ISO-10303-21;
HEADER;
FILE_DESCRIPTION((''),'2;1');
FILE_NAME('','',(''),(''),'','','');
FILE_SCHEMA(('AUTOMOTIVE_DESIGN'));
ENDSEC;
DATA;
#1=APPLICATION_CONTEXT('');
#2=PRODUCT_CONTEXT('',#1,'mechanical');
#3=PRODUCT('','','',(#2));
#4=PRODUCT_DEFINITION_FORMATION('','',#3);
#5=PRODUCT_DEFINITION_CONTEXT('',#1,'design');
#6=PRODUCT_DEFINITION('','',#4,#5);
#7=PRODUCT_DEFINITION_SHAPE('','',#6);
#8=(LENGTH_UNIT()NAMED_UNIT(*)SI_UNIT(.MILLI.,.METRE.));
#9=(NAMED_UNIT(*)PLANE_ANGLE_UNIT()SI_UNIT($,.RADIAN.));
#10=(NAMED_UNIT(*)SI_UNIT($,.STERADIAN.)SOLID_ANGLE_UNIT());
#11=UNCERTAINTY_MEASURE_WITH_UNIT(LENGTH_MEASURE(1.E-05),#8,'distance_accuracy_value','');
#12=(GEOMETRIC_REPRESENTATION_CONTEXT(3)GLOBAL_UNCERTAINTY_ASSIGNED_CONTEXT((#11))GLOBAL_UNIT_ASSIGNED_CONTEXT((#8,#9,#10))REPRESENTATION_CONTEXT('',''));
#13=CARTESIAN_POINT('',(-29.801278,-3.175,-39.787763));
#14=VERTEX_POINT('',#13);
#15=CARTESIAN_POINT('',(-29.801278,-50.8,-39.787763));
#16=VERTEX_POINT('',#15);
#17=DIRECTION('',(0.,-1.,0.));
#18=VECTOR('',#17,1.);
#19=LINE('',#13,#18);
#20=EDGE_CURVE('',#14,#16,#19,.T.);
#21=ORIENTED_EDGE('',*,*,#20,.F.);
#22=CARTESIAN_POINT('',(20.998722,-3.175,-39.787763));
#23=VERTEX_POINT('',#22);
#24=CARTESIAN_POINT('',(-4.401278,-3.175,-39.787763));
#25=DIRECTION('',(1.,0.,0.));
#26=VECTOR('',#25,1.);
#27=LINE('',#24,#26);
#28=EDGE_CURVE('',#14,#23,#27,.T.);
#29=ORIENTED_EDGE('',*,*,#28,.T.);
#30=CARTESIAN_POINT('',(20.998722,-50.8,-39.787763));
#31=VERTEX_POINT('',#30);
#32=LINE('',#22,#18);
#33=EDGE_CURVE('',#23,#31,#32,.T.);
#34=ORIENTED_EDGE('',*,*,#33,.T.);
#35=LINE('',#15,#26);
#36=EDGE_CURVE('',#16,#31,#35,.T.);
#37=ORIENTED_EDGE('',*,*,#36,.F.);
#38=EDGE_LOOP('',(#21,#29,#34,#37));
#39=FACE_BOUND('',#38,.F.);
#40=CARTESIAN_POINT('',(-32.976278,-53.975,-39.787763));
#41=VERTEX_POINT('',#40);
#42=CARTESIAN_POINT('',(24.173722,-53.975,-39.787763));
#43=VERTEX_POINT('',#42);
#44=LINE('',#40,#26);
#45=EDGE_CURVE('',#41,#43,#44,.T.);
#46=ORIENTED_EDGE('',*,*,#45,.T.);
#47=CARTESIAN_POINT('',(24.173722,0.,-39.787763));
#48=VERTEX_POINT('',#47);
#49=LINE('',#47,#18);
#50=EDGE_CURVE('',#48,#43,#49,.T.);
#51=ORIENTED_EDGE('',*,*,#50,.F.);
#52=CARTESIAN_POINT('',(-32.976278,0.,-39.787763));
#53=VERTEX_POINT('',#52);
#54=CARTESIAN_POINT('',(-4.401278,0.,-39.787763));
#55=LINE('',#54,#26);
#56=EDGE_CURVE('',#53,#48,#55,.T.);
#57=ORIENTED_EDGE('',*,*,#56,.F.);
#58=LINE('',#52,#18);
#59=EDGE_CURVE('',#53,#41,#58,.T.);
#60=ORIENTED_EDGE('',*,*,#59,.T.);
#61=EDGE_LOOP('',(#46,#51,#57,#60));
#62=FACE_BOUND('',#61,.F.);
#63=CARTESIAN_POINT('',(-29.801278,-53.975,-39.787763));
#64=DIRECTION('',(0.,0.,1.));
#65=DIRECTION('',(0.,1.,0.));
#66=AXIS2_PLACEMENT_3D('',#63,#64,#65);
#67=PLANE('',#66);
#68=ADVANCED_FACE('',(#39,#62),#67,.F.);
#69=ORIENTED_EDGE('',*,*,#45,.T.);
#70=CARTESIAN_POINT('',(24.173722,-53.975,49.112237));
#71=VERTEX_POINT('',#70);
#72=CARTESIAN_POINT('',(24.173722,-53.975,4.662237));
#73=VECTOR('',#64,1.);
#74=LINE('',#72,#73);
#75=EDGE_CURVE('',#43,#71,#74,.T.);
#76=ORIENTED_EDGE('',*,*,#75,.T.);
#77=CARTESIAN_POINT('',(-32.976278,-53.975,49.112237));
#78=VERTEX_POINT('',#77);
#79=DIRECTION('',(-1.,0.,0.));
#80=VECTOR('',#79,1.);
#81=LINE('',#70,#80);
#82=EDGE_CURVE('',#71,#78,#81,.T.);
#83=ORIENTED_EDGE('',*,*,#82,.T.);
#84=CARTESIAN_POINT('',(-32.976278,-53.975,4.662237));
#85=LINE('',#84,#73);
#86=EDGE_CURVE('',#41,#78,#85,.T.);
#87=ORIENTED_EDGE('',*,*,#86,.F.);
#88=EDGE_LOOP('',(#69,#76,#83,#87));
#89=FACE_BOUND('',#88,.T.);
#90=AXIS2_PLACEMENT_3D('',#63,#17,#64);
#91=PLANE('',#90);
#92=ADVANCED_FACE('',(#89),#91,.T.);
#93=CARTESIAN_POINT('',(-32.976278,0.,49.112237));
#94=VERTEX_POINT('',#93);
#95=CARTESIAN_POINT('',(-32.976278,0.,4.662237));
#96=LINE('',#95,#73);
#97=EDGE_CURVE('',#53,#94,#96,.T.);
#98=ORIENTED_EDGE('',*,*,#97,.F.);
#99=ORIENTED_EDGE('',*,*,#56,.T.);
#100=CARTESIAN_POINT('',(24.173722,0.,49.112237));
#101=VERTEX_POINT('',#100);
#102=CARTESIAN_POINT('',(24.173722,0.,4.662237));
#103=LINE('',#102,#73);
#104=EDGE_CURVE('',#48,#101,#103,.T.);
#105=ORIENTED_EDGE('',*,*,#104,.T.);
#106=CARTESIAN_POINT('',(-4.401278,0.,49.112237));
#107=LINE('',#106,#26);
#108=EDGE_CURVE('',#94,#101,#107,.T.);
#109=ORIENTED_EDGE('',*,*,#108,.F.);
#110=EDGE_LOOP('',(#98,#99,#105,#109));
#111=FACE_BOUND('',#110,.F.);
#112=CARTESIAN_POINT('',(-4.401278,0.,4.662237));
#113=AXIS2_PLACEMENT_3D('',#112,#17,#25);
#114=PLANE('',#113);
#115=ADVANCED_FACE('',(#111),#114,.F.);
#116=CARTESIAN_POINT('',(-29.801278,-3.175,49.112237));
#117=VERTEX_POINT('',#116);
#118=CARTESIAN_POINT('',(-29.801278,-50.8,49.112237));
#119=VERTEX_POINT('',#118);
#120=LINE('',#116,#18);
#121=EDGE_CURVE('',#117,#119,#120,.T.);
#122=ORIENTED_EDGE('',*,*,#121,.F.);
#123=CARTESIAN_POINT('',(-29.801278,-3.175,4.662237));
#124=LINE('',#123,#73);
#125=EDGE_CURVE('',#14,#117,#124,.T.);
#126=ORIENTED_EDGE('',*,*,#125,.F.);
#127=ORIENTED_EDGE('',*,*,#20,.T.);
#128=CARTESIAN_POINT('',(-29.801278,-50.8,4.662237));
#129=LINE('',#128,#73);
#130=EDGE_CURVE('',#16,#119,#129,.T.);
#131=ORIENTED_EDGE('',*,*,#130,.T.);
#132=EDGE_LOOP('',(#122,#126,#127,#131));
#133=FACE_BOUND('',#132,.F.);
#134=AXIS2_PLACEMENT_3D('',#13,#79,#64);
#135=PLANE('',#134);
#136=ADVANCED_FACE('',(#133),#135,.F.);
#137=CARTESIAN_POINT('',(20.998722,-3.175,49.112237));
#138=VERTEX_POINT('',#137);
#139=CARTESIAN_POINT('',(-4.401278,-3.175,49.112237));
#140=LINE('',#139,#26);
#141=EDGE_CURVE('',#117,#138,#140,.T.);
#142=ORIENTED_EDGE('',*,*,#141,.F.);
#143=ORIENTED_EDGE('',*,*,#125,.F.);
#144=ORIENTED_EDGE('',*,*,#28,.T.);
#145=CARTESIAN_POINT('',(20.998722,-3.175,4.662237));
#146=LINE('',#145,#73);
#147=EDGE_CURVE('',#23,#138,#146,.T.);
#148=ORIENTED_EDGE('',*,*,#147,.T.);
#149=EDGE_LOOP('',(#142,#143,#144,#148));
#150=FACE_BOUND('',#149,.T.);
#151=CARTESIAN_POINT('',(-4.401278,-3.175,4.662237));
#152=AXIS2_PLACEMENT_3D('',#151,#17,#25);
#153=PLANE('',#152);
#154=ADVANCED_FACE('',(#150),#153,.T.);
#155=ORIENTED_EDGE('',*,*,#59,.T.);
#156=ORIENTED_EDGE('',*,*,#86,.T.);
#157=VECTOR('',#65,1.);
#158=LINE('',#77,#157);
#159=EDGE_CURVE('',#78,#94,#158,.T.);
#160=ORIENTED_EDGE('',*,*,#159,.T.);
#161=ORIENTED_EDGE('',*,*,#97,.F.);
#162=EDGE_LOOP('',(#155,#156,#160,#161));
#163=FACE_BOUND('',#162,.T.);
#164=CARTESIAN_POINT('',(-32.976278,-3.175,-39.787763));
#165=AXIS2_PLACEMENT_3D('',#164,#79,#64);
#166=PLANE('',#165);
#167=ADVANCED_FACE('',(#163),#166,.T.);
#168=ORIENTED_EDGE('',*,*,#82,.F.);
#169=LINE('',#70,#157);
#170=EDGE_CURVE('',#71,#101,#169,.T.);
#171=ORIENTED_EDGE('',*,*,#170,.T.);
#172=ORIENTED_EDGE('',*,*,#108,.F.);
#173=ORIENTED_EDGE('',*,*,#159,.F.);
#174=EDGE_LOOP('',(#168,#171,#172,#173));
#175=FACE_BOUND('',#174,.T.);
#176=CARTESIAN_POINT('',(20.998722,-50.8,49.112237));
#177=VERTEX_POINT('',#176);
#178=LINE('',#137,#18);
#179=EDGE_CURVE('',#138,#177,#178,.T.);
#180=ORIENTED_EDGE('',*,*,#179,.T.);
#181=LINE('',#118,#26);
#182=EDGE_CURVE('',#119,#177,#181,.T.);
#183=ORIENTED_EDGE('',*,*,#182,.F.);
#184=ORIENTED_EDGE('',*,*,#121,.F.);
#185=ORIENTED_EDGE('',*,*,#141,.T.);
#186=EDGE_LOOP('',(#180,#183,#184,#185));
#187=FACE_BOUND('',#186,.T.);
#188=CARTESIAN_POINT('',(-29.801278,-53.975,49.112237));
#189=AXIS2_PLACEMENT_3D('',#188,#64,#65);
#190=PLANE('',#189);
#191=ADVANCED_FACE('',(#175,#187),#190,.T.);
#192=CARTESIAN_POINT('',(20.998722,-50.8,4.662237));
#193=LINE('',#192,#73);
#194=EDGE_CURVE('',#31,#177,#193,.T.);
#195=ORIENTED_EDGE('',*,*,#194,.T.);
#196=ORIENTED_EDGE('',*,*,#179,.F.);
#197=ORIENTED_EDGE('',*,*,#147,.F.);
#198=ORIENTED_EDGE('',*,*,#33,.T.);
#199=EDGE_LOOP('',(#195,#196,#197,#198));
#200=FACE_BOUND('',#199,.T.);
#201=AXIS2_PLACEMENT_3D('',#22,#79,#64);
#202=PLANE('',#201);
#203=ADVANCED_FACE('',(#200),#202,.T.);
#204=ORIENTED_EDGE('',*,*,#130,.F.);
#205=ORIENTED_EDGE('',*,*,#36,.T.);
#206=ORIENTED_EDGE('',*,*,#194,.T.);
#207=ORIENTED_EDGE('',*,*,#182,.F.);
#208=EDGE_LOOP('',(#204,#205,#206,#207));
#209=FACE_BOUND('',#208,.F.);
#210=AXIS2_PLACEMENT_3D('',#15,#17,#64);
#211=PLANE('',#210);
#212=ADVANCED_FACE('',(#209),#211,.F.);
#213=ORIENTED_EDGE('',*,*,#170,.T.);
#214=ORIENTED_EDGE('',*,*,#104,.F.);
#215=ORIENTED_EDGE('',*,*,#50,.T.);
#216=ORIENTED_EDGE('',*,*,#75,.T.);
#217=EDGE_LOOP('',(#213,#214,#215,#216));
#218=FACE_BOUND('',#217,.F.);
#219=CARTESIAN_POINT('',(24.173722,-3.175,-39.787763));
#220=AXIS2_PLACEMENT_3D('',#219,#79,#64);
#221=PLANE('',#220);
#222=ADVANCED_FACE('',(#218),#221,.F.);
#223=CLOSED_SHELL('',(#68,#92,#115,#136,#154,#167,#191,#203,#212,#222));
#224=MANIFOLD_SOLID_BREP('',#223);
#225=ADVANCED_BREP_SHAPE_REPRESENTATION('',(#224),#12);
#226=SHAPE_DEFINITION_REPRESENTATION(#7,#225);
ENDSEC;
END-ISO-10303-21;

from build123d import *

# Parameters (mm, degrees)
F0_W     = 57.15
F0_H     = 88.9
F1_DEPTH = 3.175
F2_W     = 3.175
F2_H     = 88.9
F3_DEPTH = 50.8
F4_W     = 3.175
F4_H     = 88.9
F5_DEPTH = 50.8
F6_W     = 3.175
F6_H     = 88.9
F7_DEPTH = 50.8


with BuildPart() as f1:
    # F0 (on Front) → F1 (new body)
    with BuildSketch(Plane.XZ):
        with Locations((-4.401278, 4.662237)):
            Rectangle(F0_W, F0_H)
    extrude(amount=F1_DEPTH)

    # F2 (on face) → F3 (join)
    with BuildSketch(Plane.XZ.offset(3.175)):
        with Locations((22.586222, 4.662237)):
            Rectangle(F2_W, F2_H)
    extrude(amount=F3_DEPTH)

    # F4 (on face) → F5 (join)
    with BuildSketch(Plane.XZ.offset(3.175)):
        with Locations((-31.388778, 4.662237)):
            Rectangle(F4_W, F4_H)
    extrude(amount=F5_DEPTH)

    # F6 (on face) → F7 (join)
    with BuildSketch(Plane.YZ.offset(-29.801278)):
        with Locations((-52.3875, 4.662237)):
            Rectangle(F6_W, F6_H)
    extrude(amount=F7_DEPTH)


solid = f1.part
